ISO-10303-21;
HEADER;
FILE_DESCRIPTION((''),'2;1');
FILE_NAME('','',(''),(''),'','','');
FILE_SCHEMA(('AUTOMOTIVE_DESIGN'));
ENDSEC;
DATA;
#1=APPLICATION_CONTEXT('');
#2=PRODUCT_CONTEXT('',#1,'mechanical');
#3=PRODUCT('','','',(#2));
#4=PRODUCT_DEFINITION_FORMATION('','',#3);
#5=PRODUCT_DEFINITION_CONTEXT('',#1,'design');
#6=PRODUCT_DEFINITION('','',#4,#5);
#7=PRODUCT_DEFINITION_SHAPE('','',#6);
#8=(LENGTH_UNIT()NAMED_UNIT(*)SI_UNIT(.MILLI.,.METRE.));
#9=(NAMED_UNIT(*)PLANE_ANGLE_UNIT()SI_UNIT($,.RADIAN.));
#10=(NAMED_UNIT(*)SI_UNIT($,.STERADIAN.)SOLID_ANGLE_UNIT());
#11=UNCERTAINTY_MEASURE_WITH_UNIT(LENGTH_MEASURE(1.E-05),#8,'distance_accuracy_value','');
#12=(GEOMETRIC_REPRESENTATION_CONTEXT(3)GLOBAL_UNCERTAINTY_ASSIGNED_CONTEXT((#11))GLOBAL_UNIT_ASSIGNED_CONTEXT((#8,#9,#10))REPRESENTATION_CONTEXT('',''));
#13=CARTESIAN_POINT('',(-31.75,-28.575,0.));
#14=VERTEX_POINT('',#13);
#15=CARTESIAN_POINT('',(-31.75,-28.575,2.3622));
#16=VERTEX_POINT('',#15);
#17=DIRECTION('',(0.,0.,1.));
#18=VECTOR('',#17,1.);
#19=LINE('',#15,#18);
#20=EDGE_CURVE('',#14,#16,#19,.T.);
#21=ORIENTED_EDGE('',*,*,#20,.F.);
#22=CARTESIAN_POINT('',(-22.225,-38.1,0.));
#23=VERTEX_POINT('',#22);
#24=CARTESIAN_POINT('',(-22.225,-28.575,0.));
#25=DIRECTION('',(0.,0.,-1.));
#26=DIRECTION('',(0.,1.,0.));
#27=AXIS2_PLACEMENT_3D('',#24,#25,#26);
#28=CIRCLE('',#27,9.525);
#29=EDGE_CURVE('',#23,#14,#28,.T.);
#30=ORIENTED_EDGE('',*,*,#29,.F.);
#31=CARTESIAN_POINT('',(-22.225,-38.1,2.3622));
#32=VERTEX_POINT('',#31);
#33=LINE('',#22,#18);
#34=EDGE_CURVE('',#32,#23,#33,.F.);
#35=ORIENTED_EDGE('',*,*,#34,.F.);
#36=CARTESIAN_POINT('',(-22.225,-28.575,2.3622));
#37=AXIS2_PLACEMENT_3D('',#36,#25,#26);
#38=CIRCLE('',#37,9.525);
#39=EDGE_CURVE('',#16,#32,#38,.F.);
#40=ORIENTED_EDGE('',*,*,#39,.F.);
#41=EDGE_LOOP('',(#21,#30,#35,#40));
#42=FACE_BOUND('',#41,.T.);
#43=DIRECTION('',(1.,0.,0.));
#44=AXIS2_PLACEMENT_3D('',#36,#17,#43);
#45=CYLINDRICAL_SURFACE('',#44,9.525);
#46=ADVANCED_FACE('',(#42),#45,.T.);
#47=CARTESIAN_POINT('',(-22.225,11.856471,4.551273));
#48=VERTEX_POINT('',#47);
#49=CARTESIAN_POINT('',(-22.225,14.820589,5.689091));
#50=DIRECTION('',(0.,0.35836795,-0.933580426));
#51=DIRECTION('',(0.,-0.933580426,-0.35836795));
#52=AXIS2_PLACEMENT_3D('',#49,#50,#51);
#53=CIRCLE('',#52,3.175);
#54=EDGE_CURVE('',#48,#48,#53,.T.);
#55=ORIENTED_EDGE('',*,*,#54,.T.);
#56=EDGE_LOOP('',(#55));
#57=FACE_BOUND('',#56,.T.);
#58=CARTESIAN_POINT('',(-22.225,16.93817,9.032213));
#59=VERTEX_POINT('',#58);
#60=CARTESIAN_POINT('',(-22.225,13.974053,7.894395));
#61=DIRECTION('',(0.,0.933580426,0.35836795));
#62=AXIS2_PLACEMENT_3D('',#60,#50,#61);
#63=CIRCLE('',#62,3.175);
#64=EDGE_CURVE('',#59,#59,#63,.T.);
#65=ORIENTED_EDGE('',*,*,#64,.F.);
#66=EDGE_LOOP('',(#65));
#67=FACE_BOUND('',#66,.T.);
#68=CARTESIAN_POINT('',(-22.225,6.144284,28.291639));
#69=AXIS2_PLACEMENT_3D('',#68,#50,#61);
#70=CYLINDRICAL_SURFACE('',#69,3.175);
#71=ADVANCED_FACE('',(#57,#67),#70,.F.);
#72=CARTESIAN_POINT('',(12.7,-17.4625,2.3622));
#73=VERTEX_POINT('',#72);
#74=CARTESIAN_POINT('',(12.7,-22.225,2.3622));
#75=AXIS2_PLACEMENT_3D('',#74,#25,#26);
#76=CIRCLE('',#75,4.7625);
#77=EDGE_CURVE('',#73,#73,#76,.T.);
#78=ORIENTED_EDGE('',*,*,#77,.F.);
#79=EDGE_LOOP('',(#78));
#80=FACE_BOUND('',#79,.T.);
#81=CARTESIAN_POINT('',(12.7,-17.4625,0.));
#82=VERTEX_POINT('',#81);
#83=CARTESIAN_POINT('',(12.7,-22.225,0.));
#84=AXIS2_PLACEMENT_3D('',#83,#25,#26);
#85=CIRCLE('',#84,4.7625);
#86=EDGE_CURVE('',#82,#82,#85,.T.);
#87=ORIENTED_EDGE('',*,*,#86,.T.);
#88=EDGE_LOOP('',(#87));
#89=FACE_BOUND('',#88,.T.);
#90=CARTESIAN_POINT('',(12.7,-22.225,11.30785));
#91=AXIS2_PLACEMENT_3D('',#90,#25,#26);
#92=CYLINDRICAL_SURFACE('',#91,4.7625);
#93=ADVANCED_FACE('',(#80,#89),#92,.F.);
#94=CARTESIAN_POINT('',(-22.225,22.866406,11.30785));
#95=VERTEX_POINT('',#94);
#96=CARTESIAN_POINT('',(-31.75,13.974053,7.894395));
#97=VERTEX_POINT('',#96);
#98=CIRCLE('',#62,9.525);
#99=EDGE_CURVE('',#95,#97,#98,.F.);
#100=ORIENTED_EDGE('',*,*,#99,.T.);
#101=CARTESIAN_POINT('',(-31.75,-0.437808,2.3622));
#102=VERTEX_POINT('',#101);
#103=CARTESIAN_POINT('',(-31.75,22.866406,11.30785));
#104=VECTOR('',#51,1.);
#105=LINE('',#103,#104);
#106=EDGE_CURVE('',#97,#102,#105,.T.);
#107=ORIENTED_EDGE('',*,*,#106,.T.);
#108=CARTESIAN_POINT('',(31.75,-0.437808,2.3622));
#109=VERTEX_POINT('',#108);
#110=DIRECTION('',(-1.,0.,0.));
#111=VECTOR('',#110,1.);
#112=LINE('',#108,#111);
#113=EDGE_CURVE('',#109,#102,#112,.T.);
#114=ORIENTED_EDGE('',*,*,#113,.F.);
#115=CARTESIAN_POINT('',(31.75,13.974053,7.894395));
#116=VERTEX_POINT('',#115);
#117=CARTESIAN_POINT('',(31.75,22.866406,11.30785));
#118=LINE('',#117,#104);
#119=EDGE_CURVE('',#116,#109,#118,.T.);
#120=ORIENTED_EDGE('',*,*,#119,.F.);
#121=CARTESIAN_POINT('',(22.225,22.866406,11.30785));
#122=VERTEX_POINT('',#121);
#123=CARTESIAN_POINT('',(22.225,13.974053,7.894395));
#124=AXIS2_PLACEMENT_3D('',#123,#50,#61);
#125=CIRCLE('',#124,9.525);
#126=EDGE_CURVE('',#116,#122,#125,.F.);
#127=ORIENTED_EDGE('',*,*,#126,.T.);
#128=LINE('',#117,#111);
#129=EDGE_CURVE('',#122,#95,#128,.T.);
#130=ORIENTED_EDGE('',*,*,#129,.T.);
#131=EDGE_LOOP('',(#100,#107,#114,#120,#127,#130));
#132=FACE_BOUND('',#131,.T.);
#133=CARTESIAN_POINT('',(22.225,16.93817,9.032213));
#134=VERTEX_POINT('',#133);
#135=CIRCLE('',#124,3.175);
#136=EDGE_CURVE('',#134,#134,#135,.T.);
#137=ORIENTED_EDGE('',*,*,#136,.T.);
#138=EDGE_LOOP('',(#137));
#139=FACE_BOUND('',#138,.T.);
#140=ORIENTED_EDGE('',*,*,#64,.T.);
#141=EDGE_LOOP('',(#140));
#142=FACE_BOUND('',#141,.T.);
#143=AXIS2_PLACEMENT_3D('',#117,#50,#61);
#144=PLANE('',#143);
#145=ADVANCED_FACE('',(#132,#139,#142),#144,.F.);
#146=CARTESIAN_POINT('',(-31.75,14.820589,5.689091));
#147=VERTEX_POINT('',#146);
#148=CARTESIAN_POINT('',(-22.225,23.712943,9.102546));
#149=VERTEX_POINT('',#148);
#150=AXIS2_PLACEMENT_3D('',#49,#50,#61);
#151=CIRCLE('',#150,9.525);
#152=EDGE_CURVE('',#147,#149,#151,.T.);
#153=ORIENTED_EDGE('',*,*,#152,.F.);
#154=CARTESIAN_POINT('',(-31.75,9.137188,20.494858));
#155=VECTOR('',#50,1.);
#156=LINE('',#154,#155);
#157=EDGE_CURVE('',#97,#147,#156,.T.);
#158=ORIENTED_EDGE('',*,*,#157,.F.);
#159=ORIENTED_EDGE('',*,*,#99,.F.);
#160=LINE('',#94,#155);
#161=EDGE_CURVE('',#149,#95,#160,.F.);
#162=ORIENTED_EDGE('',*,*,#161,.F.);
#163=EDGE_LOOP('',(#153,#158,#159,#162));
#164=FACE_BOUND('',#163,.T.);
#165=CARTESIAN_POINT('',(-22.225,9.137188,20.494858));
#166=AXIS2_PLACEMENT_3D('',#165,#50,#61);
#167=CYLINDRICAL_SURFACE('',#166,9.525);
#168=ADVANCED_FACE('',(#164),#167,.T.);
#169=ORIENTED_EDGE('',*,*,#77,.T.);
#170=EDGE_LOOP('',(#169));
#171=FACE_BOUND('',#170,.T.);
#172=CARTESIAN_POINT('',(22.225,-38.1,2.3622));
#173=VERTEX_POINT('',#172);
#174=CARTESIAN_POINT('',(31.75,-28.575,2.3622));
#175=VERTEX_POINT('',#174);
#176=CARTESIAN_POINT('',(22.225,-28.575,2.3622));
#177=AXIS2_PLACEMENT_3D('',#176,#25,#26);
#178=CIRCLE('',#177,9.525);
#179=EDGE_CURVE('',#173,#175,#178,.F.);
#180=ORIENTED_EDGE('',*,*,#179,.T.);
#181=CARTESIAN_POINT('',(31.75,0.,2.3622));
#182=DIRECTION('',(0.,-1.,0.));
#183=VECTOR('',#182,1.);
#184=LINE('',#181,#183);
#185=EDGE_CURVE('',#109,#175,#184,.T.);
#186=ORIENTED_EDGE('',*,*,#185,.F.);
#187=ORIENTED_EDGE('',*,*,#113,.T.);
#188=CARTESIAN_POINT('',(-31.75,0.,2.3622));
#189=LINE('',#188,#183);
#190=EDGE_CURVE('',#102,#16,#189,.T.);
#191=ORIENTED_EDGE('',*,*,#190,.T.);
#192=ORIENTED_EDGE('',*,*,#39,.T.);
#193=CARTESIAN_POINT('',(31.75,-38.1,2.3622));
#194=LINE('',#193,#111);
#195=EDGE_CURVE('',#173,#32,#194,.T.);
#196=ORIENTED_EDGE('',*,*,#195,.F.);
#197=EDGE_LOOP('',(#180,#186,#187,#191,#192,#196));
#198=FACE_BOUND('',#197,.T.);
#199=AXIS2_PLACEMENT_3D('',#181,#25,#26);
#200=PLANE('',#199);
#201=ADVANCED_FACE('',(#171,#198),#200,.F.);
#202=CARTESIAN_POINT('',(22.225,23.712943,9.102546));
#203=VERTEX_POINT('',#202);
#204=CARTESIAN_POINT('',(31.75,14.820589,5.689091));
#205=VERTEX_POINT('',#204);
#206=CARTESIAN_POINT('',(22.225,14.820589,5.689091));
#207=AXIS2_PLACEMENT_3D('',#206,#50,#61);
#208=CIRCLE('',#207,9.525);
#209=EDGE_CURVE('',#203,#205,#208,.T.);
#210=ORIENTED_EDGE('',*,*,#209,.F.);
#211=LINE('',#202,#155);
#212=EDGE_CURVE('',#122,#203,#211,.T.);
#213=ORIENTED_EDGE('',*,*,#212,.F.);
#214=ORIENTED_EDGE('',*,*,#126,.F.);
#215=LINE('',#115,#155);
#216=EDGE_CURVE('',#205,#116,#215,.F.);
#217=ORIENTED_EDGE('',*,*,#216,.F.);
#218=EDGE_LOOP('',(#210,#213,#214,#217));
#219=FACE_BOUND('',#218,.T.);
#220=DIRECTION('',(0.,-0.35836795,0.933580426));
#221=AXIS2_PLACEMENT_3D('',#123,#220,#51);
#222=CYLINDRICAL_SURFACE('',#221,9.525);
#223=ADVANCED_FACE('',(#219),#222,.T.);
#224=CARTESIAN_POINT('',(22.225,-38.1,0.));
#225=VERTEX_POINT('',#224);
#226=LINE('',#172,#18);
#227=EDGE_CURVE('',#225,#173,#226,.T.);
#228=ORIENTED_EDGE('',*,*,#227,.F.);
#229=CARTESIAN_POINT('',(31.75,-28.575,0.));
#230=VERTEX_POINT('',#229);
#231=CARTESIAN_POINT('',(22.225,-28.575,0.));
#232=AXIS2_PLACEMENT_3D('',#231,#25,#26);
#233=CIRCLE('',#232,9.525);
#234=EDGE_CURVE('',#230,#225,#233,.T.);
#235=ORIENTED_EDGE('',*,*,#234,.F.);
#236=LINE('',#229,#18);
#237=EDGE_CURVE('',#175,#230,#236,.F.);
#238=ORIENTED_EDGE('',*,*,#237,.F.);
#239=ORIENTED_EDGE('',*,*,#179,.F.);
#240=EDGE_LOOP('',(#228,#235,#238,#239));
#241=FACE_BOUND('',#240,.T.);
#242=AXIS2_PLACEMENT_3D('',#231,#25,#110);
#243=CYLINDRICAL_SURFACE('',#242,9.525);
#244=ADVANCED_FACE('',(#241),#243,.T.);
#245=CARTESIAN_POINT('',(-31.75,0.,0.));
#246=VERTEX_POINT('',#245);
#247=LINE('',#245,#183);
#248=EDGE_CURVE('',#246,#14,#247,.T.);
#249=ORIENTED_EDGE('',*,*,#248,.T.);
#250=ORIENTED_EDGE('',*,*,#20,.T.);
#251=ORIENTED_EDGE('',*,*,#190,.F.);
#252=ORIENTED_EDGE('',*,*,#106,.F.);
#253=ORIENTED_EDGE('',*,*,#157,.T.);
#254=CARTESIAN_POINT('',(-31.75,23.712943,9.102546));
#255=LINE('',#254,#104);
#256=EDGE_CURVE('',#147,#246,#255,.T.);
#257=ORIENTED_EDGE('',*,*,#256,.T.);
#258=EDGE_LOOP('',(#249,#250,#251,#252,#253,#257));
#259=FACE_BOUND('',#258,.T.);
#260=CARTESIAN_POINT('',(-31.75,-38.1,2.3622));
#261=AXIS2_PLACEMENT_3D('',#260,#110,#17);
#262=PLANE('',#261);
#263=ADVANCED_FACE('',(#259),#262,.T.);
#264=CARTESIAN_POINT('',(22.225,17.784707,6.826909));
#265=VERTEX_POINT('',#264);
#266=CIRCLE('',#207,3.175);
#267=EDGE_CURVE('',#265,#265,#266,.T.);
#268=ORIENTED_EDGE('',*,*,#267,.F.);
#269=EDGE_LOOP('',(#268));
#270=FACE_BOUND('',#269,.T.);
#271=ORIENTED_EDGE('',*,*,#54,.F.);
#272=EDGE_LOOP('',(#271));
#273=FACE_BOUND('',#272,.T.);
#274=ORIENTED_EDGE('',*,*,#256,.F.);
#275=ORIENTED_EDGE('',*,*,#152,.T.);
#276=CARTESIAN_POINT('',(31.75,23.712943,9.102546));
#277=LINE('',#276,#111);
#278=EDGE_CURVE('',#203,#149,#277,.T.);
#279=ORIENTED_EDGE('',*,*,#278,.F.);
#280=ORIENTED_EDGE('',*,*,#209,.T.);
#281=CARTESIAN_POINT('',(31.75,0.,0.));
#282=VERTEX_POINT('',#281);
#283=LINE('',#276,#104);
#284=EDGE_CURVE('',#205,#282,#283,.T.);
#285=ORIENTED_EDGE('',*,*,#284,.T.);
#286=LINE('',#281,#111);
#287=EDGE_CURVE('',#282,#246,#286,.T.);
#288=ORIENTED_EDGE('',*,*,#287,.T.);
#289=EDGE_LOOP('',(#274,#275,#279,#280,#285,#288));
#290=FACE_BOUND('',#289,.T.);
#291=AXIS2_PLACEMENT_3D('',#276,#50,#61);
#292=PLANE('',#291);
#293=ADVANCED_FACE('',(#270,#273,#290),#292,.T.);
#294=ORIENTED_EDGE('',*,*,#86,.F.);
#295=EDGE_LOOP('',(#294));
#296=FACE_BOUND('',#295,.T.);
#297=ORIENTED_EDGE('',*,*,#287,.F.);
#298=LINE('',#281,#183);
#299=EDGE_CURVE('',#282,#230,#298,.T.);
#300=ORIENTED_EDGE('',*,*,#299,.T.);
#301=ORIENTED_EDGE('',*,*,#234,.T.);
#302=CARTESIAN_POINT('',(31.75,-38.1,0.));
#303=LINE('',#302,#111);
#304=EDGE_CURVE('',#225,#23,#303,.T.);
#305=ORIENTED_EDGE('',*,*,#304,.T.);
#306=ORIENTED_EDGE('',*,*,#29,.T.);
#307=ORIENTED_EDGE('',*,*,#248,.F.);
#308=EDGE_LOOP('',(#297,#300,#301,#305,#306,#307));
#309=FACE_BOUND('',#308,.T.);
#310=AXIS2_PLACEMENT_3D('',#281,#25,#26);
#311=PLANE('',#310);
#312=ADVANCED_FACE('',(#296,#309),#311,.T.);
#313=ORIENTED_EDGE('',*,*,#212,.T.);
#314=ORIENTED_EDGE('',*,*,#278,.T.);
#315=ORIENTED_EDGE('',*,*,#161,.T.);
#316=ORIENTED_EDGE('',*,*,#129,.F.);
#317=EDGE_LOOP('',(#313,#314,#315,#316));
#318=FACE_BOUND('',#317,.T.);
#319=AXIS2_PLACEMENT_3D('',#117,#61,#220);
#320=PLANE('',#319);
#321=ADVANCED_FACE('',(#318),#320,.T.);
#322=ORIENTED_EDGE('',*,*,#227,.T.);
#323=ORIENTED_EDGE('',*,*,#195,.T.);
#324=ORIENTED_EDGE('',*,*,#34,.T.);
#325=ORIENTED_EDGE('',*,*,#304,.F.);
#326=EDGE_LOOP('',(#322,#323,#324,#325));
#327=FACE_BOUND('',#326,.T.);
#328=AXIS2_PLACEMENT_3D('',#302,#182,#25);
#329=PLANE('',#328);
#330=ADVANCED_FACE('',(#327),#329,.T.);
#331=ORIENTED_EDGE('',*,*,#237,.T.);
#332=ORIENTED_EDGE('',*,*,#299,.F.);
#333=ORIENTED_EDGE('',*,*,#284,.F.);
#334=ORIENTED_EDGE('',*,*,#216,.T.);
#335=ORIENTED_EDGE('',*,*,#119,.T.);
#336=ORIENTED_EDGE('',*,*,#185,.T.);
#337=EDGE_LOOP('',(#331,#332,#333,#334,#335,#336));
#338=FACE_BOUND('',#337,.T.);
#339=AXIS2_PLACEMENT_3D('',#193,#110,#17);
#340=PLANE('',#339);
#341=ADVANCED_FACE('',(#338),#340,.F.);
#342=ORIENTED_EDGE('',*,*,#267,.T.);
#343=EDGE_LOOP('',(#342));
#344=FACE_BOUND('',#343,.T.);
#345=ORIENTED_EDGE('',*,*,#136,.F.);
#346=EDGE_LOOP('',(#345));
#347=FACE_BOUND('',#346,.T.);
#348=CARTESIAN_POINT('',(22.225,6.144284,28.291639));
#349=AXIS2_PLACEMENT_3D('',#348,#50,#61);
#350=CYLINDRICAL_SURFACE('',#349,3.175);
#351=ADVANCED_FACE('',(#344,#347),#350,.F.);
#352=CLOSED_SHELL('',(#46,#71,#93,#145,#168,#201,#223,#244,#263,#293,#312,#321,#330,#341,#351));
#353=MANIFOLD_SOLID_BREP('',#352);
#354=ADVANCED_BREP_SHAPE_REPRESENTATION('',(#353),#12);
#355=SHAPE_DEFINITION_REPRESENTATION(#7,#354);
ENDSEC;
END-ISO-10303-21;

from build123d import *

# Parameters (mm, degrees)
EXTRUDE_THIN1_DEPTH = 31.75
SKETCH2_R           = 4.7625
CUT_EXTRUDE1_DEPTH  = 51.867867683
SKETCH3_R           = 3.175
CUT_EXTRUDE2_DEPTH  = 51.867867683
FILLET1_R           = 9.525


with BuildPart() as part:
    # Sketch1 → Extrude-Thin1 (new, symmetric)
    with BuildSketch(Plane(origin=(0, 0, 0), x_dir=(0, 0, -1), z_dir=(1, 0, 0))):
        Polygon((-9.102545918, 23.712942833), (0, 0), (0, -38.1), (-2.3622, -38.1), (-2.3622, -0.437807892), (-11.307849602, 22.866406063), align=None)
    extrude(amount=EXTRUDE_THIN1_DEPTH, both=True)

    # Sketch2 → Cut-Extrude1 (cut, through all)
    with BuildSketch(Plane(origin=(0, 0, 0), x_dir=(-1, 0, 0), z_dir=(0, 0, -1))):
        with Locations(Location((-12.7, -22.225, 0), (0, 0, 90))):
            Circle(SKETCH2_R)
    extrude(amount=-CUT_EXTRUDE1_DEPTH, mode=Mode.SUBTRACT)

    # Sketch3 → Cut-Extrude2 (cut, through all)
    with BuildSketch(Plane(origin=(0, 0, 0), x_dir=(-1, 0, 0), z_dir=(0, 0.35836794954530177, -0.9335804264972012))):
        with Locations(Location((-22.225, 15.875, 0), (0, 0, 90))):
            Circle(SKETCH3_R)
        with Locations(Location((22.225, 15.875, 0), (0, 0, 90))):
            Circle(SKETCH3_R)
    extrude(amount=-CUT_EXTRUDE2_DEPTH, mode=Mode.SUBTRACT)

    # Fillet1
    fillet1_edges = [part.edges().sort_by_distance(p)[0] for p in [
        (31.75, 23.289674448, 10.20519776),
        (-31.75, 23.289674448, 10.20519776),
        (-31.75, -38.1, 1.1811),
        (31.75, -38.1, 1.1811),
    ]]
    fillet(fillet1_edges, radius=FILLET1_R)


solid = part.part
